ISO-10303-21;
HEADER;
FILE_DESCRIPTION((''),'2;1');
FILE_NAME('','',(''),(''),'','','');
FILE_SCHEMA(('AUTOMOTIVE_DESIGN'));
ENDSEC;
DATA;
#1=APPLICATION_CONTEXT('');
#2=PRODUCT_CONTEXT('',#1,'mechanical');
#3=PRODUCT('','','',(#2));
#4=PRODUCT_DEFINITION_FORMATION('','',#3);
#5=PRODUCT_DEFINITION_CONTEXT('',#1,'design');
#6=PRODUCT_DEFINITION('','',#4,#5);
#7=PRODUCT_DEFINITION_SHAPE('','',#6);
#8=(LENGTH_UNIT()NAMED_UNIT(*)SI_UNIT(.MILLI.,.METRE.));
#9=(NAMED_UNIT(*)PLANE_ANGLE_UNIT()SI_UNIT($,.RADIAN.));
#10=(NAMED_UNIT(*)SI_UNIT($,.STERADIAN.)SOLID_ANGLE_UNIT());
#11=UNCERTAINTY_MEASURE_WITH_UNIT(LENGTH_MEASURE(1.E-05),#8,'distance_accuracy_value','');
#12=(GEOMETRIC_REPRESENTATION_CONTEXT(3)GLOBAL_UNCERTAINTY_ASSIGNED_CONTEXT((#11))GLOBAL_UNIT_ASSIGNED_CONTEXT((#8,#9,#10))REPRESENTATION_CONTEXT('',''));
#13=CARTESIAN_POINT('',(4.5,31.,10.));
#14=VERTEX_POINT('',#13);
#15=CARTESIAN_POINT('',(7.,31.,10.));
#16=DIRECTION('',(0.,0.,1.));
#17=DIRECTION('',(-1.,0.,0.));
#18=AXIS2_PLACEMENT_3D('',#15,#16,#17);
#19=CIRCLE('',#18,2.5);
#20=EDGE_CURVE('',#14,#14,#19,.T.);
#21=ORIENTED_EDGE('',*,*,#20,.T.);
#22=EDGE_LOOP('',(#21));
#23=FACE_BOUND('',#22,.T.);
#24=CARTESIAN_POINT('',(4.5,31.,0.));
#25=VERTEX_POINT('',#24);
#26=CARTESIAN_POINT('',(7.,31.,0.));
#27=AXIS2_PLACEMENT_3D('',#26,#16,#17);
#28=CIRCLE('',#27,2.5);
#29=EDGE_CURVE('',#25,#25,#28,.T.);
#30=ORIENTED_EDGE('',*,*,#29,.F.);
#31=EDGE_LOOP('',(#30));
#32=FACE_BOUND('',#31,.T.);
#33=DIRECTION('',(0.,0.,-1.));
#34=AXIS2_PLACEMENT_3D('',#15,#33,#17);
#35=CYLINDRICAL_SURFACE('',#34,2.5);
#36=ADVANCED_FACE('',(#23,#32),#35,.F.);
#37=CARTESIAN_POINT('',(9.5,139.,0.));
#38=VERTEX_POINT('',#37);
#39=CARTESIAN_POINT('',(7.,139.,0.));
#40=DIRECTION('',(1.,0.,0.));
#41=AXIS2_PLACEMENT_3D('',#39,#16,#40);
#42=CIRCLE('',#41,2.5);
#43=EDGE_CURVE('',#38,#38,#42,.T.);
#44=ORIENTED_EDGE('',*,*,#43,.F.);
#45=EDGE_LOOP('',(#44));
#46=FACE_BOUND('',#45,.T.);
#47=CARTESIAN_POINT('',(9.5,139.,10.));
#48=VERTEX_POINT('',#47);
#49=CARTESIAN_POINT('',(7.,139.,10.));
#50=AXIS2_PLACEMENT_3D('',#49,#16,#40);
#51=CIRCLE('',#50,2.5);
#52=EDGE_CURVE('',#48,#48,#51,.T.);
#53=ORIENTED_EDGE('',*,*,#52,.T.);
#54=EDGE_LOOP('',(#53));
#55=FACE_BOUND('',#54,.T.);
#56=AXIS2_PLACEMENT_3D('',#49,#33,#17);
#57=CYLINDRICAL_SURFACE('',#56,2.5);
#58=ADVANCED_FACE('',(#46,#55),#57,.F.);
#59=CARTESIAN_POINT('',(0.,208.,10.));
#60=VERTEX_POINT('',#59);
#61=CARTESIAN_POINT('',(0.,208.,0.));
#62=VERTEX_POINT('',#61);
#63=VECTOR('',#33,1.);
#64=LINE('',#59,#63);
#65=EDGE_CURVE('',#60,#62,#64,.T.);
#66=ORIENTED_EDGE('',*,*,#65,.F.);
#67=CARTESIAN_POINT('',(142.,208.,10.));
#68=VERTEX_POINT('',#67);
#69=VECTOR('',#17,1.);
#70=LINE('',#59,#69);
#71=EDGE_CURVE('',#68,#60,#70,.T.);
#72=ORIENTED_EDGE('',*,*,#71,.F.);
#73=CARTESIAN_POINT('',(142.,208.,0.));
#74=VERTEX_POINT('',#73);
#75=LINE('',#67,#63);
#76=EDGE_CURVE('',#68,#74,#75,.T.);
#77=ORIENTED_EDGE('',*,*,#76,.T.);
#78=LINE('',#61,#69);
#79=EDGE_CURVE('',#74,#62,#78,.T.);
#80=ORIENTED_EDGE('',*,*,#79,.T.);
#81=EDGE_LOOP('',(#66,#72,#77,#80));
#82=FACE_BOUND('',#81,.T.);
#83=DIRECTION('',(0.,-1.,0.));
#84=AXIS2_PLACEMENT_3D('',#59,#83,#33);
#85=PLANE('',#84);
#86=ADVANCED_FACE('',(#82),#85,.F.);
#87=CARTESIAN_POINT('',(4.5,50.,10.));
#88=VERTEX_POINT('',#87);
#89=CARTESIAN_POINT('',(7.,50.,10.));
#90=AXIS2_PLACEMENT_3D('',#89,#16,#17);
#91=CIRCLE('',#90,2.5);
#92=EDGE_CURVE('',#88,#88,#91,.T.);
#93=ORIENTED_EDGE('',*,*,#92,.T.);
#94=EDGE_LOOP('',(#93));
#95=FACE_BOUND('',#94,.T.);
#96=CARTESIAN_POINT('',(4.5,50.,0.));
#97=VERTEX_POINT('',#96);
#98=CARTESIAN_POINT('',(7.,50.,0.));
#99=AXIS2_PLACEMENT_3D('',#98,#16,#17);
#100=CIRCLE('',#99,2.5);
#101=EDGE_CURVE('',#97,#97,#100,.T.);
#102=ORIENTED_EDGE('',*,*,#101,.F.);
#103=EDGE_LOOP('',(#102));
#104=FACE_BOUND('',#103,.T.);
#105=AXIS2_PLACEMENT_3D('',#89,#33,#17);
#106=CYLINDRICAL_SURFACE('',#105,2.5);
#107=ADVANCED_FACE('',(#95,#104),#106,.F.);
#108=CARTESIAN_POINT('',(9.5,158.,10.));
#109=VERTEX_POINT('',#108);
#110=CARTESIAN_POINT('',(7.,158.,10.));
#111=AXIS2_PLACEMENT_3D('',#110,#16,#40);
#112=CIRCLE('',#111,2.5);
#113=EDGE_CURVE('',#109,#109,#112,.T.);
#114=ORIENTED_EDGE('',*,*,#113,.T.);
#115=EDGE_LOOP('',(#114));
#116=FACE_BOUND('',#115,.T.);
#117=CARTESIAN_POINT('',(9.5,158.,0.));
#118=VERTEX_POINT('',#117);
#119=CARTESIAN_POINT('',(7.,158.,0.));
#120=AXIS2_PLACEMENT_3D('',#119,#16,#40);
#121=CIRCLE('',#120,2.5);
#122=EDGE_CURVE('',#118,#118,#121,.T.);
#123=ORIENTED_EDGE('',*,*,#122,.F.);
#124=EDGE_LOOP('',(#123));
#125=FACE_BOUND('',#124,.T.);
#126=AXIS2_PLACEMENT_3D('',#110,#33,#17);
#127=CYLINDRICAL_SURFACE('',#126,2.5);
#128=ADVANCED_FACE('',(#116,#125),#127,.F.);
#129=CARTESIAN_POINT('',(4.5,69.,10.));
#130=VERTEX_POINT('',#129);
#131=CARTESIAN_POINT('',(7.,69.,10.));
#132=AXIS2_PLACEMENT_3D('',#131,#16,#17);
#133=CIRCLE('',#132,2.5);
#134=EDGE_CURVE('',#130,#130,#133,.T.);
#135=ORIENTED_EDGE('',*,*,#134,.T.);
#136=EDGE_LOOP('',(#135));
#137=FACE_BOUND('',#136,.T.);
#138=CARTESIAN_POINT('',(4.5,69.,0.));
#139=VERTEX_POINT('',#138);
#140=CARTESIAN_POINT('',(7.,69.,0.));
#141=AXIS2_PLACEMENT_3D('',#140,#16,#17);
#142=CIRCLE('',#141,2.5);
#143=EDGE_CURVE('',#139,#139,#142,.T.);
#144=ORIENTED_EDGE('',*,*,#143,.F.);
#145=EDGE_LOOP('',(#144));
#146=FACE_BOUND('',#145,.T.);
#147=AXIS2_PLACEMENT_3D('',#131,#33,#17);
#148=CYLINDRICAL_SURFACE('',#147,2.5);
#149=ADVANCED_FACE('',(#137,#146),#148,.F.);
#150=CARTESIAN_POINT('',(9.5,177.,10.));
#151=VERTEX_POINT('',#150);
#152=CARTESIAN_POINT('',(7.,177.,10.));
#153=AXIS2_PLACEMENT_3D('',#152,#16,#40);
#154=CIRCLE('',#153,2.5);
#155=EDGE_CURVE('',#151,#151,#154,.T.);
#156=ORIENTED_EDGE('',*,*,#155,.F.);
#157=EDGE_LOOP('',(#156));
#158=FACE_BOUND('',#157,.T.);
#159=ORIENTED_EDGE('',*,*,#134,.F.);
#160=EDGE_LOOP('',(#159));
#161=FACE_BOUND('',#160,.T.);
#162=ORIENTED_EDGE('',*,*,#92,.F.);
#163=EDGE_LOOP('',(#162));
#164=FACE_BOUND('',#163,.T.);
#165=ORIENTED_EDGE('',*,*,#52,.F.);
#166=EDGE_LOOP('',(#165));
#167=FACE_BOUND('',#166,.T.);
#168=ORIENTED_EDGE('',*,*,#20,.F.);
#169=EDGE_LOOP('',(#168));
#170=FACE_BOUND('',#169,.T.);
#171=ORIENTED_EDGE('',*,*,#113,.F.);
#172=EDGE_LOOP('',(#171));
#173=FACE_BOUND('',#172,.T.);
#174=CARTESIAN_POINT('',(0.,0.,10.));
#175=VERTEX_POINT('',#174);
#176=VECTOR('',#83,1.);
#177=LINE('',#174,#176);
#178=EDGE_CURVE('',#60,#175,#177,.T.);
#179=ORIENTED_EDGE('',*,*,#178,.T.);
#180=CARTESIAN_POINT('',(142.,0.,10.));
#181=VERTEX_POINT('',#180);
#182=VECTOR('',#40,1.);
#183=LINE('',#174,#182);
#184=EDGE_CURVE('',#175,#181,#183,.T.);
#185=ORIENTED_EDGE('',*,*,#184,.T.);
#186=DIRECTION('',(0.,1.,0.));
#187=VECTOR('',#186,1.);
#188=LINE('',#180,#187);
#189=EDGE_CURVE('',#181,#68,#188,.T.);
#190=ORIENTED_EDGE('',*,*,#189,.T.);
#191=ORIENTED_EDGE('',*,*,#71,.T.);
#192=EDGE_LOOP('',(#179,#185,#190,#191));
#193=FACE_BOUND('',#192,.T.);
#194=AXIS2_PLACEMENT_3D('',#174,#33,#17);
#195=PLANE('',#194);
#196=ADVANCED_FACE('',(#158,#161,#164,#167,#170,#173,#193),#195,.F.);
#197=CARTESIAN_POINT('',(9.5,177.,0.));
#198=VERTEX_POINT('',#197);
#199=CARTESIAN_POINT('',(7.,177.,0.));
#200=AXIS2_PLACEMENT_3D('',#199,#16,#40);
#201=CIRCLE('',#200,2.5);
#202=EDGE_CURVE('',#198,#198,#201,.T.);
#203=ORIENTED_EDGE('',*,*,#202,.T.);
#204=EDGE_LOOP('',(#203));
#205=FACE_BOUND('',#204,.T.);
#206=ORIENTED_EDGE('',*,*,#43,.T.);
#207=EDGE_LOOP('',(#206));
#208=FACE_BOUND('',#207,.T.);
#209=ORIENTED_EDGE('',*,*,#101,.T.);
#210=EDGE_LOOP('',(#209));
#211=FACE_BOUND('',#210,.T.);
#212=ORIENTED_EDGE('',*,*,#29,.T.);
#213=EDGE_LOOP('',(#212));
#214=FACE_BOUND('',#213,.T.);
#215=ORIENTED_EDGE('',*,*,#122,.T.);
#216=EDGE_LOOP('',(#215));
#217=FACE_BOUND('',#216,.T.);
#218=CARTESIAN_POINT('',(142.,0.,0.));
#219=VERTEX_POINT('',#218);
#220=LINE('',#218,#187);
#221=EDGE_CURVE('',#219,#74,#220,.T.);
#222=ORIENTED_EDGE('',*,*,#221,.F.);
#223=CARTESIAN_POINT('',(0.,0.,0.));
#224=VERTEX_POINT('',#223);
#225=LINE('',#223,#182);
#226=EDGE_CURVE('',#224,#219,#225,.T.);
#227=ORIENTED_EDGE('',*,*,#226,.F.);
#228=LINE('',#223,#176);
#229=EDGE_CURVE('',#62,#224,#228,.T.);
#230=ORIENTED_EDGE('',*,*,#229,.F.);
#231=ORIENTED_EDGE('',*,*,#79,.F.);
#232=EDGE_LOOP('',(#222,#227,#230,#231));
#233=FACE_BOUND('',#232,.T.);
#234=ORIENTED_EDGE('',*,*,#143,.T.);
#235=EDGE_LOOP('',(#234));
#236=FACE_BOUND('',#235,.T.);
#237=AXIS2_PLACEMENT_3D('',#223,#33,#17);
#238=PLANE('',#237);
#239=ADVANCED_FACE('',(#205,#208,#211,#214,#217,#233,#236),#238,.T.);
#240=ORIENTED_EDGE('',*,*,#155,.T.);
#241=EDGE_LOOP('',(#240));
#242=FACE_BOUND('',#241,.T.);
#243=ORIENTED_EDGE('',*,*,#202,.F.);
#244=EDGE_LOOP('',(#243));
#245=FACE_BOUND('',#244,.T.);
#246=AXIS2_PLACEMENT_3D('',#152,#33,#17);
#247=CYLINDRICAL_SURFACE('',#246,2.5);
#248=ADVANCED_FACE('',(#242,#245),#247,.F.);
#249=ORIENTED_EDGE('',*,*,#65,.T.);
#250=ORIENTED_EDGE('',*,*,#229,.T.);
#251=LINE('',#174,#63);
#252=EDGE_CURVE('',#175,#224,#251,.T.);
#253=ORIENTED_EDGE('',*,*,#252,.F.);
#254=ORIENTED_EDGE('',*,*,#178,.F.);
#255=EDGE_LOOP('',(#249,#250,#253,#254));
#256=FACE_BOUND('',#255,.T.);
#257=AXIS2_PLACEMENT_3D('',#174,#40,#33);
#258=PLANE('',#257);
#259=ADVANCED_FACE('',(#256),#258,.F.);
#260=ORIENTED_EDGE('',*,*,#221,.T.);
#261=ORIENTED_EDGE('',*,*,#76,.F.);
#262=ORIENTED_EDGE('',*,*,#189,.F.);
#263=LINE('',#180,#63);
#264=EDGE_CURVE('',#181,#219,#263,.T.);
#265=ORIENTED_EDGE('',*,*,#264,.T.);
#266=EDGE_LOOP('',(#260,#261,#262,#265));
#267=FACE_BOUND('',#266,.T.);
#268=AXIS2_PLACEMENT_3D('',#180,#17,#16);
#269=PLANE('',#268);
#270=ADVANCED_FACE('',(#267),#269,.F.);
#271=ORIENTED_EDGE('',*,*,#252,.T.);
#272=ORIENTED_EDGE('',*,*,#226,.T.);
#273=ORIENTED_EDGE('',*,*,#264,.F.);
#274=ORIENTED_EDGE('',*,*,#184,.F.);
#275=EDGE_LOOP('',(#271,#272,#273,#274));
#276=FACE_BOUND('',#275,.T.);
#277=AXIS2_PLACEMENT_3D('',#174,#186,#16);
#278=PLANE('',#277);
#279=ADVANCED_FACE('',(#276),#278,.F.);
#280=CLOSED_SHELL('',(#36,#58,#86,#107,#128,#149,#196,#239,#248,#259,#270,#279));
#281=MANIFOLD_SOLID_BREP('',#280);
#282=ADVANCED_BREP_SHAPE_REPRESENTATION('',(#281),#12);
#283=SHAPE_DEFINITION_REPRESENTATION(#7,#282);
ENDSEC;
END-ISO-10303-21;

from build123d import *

# Parameters (mm, degrees)
SKETCH_1_W      = 142
SKETCH_1_H      = 208
SKETCH_1_R      = 2.5
EXTRUDE_1_DEPTH = 10


with BuildPart() as part:
    # Эскиз1 → Бобышка-Вытянуть1 (new body)
    with BuildSketch(Plane.XY):
        with Locations((71, 104)):
            Rectangle(SKETCH_1_W, SKETCH_1_H)
        with Locations((7, 139)):
            Circle(SKETCH_1_R, mode=Mode.SUBTRACT)
        with Locations((7, 158)):
            Circle(SKETCH_1_R, mode=Mode.SUBTRACT)
        with Locations((7, 177)):
            Circle(SKETCH_1_R, mode=Mode.SUBTRACT)
        with Locations(Location((7, 31, 0), (0, 0, 180))):
            Circle(SKETCH_1_R, mode=Mode.SUBTRACT)
        with Locations(Location((7, 50, 0), (0, 0, 180))):
            Circle(SKETCH_1_R, mode=Mode.SUBTRACT)
        with Locations(Location((7, 69, 0), (0, 0, 180))):
            Circle(SKETCH_1_R, mode=Mode.SUBTRACT)
    extrude(amount=EXTRUDE_1_DEPTH)


solid = part.part
